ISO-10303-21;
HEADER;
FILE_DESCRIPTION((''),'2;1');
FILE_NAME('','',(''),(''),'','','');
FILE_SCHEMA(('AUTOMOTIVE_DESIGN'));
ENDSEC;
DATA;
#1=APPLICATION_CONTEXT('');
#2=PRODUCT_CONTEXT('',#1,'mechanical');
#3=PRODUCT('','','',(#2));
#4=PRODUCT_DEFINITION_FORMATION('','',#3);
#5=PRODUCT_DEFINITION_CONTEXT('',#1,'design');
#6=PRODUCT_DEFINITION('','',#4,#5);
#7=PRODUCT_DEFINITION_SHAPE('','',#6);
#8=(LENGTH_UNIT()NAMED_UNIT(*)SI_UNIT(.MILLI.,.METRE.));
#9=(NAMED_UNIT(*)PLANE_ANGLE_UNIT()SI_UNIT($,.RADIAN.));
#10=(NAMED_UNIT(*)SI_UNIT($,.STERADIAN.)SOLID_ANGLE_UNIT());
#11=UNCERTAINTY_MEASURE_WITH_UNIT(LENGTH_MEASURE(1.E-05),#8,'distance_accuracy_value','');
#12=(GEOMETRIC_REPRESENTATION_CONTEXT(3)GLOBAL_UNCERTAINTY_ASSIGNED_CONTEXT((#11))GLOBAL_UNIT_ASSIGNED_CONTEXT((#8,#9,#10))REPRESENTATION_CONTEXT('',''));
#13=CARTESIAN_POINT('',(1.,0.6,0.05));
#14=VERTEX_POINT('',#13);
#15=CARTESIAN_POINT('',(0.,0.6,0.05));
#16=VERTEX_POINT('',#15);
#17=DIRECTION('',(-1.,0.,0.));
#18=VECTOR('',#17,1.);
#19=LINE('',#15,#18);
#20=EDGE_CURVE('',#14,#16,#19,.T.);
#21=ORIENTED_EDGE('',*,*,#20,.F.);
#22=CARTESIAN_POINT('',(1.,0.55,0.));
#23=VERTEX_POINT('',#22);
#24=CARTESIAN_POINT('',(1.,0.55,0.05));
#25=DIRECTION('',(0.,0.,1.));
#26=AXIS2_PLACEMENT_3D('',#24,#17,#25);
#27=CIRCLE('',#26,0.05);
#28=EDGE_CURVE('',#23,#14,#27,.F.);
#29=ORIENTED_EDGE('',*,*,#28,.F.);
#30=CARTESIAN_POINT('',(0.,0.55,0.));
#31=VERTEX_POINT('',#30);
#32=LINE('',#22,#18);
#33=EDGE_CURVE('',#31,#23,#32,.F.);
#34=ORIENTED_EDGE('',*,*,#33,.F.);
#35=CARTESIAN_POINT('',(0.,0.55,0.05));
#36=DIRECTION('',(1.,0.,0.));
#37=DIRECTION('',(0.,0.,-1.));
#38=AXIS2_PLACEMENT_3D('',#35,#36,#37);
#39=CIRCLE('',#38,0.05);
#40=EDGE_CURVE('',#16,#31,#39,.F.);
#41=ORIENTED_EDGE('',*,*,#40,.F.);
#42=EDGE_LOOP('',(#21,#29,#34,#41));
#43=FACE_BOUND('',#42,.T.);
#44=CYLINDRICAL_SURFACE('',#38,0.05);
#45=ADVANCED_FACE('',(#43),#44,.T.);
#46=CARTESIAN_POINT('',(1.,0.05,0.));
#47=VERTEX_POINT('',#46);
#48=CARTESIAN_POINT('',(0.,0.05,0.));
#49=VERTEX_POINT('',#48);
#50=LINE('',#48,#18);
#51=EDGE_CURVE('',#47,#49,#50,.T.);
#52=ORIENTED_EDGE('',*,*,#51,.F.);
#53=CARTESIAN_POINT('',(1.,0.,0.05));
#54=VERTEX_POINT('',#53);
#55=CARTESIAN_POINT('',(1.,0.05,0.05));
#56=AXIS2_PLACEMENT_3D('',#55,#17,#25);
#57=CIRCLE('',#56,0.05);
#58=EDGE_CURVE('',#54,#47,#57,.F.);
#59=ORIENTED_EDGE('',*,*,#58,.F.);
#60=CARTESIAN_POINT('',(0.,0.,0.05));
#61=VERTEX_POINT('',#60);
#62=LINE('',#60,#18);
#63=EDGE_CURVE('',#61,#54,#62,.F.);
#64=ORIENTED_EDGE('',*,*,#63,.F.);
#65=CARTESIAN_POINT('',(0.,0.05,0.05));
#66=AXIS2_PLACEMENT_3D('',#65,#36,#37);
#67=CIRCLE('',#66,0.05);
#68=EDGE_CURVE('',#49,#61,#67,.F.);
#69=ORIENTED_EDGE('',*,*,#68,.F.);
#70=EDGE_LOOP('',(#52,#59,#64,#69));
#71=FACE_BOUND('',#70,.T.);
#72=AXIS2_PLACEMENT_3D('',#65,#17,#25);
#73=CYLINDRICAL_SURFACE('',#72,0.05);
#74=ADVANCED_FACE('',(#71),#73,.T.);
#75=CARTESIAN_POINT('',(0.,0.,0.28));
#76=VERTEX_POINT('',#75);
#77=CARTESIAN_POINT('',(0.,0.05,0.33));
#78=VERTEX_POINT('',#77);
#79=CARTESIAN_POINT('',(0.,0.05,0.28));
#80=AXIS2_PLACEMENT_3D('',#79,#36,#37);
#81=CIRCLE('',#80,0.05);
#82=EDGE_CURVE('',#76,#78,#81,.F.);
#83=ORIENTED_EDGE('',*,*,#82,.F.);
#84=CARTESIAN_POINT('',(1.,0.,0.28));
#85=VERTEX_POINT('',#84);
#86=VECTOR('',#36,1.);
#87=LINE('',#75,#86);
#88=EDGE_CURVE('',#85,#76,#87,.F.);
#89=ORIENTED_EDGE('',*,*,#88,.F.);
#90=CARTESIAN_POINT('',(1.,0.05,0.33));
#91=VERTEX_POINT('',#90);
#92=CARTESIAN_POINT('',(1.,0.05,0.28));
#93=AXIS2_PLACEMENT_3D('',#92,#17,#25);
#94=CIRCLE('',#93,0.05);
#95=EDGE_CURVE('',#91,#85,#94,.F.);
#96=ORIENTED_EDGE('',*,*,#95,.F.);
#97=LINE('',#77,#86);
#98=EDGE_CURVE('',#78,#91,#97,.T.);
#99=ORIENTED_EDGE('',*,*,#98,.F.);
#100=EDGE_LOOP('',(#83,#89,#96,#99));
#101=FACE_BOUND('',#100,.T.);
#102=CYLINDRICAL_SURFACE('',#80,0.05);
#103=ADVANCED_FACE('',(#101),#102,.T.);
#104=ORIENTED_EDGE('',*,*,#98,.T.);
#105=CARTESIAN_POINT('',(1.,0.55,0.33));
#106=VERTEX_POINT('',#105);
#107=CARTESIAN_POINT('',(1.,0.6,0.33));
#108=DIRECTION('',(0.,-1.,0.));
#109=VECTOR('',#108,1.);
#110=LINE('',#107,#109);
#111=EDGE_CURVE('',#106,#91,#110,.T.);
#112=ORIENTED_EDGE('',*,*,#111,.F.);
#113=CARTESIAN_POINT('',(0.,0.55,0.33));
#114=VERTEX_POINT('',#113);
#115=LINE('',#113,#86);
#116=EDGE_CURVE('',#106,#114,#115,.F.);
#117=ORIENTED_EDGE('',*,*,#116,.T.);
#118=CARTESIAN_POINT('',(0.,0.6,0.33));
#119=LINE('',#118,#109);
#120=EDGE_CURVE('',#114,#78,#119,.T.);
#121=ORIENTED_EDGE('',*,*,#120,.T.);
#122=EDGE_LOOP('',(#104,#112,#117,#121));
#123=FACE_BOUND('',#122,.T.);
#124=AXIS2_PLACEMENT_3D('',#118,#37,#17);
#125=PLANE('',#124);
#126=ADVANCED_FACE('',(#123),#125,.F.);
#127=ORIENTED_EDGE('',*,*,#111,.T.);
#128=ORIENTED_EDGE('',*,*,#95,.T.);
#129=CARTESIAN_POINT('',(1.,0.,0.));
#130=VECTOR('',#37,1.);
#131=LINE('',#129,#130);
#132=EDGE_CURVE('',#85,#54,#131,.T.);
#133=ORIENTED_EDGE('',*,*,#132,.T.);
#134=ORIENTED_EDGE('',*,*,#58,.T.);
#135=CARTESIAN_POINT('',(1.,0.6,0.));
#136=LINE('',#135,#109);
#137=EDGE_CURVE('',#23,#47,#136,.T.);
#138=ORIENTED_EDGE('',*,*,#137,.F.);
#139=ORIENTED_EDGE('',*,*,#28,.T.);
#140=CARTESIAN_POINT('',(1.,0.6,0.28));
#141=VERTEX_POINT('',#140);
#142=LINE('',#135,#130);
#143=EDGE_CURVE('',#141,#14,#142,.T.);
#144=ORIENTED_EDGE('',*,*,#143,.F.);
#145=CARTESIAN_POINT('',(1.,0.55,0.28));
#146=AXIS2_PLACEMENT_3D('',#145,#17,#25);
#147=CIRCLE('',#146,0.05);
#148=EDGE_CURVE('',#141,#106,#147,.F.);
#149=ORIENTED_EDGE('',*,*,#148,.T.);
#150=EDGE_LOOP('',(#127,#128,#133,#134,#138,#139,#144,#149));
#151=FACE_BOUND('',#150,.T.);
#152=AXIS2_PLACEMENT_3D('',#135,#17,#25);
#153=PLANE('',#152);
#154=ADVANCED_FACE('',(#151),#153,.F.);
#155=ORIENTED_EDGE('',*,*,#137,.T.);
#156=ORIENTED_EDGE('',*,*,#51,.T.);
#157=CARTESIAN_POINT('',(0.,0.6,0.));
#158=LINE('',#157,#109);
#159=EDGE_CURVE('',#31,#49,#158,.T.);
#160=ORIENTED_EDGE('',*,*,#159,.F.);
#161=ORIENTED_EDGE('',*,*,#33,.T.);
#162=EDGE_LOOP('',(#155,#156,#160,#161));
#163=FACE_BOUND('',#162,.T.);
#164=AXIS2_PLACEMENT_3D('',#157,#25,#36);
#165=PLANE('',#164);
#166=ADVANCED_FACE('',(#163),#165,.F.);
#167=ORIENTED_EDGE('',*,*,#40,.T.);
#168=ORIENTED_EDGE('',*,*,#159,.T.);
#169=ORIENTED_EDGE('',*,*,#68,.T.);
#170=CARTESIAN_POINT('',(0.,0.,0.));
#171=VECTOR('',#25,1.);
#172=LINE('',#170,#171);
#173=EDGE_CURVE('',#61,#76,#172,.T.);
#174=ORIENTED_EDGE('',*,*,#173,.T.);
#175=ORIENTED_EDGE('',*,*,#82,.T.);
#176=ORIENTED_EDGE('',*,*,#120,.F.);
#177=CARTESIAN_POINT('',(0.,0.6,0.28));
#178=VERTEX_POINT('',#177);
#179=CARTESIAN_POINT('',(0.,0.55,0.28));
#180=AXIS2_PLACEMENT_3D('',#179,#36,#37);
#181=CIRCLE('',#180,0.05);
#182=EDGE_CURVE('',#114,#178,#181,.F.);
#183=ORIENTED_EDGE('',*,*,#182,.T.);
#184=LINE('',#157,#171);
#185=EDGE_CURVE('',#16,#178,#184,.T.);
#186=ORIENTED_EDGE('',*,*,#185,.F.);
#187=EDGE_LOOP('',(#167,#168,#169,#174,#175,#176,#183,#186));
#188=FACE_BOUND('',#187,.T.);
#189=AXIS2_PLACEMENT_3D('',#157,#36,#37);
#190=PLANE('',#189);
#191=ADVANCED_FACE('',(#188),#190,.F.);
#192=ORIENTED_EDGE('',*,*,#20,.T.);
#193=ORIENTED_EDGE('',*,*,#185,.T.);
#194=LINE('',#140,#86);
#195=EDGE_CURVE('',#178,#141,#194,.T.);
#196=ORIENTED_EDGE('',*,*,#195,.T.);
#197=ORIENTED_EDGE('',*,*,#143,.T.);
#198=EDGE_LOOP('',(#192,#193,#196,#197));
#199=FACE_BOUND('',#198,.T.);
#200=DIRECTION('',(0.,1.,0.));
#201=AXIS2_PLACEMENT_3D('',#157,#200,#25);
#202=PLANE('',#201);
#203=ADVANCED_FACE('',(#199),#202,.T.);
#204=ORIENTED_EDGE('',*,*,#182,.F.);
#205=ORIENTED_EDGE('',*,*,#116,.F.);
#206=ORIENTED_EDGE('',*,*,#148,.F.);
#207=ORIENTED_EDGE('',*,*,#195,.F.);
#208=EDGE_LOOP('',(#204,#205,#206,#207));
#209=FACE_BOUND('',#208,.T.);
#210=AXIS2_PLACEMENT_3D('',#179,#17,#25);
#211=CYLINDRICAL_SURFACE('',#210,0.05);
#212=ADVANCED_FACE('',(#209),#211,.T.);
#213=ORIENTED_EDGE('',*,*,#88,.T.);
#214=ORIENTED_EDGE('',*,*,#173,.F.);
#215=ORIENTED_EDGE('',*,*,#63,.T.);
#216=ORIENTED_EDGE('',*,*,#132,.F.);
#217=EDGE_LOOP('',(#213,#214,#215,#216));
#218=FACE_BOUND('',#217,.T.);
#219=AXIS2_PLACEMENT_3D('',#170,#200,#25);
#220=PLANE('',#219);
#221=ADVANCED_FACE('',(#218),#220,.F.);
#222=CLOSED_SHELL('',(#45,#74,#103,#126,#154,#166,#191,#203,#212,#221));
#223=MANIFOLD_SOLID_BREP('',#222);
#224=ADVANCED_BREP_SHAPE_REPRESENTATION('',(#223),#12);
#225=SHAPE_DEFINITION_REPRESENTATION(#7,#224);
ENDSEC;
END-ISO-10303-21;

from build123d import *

# Parameters (mm, degrees)
SKETCH1_W           = 1
SKETCH1_H           = 0.33
BOSS_EXTRUDE1_DEPTH = 0.6
FILLET2_R           = 0.05


with BuildPart() as part:
    # Sketch1 → Boss-Extrude1 (new body)
    with BuildSketch(Plane(origin=(0, 0, 0), x_dir=(1, 0, 0), z_dir=(0, 1, 0))):
        with Locations((0.5, -0.165)):
            Rectangle(SKETCH1_W, SKETCH1_H)
    extrude(amount=BOSS_EXTRUDE1_DEPTH)

    # Fillet2
    fillet2_edges = [part.edges().sort_by_distance(p)[0] for p in [
        (0.5, 0.6, 0),
        (0.5, 0, 0),
        (0.5, 0, 0.33),
        (0.5, 0.6, 0.33),
    ]]
    fillet(fillet2_edges, radius=FILLET2_R)


solid = part.part
